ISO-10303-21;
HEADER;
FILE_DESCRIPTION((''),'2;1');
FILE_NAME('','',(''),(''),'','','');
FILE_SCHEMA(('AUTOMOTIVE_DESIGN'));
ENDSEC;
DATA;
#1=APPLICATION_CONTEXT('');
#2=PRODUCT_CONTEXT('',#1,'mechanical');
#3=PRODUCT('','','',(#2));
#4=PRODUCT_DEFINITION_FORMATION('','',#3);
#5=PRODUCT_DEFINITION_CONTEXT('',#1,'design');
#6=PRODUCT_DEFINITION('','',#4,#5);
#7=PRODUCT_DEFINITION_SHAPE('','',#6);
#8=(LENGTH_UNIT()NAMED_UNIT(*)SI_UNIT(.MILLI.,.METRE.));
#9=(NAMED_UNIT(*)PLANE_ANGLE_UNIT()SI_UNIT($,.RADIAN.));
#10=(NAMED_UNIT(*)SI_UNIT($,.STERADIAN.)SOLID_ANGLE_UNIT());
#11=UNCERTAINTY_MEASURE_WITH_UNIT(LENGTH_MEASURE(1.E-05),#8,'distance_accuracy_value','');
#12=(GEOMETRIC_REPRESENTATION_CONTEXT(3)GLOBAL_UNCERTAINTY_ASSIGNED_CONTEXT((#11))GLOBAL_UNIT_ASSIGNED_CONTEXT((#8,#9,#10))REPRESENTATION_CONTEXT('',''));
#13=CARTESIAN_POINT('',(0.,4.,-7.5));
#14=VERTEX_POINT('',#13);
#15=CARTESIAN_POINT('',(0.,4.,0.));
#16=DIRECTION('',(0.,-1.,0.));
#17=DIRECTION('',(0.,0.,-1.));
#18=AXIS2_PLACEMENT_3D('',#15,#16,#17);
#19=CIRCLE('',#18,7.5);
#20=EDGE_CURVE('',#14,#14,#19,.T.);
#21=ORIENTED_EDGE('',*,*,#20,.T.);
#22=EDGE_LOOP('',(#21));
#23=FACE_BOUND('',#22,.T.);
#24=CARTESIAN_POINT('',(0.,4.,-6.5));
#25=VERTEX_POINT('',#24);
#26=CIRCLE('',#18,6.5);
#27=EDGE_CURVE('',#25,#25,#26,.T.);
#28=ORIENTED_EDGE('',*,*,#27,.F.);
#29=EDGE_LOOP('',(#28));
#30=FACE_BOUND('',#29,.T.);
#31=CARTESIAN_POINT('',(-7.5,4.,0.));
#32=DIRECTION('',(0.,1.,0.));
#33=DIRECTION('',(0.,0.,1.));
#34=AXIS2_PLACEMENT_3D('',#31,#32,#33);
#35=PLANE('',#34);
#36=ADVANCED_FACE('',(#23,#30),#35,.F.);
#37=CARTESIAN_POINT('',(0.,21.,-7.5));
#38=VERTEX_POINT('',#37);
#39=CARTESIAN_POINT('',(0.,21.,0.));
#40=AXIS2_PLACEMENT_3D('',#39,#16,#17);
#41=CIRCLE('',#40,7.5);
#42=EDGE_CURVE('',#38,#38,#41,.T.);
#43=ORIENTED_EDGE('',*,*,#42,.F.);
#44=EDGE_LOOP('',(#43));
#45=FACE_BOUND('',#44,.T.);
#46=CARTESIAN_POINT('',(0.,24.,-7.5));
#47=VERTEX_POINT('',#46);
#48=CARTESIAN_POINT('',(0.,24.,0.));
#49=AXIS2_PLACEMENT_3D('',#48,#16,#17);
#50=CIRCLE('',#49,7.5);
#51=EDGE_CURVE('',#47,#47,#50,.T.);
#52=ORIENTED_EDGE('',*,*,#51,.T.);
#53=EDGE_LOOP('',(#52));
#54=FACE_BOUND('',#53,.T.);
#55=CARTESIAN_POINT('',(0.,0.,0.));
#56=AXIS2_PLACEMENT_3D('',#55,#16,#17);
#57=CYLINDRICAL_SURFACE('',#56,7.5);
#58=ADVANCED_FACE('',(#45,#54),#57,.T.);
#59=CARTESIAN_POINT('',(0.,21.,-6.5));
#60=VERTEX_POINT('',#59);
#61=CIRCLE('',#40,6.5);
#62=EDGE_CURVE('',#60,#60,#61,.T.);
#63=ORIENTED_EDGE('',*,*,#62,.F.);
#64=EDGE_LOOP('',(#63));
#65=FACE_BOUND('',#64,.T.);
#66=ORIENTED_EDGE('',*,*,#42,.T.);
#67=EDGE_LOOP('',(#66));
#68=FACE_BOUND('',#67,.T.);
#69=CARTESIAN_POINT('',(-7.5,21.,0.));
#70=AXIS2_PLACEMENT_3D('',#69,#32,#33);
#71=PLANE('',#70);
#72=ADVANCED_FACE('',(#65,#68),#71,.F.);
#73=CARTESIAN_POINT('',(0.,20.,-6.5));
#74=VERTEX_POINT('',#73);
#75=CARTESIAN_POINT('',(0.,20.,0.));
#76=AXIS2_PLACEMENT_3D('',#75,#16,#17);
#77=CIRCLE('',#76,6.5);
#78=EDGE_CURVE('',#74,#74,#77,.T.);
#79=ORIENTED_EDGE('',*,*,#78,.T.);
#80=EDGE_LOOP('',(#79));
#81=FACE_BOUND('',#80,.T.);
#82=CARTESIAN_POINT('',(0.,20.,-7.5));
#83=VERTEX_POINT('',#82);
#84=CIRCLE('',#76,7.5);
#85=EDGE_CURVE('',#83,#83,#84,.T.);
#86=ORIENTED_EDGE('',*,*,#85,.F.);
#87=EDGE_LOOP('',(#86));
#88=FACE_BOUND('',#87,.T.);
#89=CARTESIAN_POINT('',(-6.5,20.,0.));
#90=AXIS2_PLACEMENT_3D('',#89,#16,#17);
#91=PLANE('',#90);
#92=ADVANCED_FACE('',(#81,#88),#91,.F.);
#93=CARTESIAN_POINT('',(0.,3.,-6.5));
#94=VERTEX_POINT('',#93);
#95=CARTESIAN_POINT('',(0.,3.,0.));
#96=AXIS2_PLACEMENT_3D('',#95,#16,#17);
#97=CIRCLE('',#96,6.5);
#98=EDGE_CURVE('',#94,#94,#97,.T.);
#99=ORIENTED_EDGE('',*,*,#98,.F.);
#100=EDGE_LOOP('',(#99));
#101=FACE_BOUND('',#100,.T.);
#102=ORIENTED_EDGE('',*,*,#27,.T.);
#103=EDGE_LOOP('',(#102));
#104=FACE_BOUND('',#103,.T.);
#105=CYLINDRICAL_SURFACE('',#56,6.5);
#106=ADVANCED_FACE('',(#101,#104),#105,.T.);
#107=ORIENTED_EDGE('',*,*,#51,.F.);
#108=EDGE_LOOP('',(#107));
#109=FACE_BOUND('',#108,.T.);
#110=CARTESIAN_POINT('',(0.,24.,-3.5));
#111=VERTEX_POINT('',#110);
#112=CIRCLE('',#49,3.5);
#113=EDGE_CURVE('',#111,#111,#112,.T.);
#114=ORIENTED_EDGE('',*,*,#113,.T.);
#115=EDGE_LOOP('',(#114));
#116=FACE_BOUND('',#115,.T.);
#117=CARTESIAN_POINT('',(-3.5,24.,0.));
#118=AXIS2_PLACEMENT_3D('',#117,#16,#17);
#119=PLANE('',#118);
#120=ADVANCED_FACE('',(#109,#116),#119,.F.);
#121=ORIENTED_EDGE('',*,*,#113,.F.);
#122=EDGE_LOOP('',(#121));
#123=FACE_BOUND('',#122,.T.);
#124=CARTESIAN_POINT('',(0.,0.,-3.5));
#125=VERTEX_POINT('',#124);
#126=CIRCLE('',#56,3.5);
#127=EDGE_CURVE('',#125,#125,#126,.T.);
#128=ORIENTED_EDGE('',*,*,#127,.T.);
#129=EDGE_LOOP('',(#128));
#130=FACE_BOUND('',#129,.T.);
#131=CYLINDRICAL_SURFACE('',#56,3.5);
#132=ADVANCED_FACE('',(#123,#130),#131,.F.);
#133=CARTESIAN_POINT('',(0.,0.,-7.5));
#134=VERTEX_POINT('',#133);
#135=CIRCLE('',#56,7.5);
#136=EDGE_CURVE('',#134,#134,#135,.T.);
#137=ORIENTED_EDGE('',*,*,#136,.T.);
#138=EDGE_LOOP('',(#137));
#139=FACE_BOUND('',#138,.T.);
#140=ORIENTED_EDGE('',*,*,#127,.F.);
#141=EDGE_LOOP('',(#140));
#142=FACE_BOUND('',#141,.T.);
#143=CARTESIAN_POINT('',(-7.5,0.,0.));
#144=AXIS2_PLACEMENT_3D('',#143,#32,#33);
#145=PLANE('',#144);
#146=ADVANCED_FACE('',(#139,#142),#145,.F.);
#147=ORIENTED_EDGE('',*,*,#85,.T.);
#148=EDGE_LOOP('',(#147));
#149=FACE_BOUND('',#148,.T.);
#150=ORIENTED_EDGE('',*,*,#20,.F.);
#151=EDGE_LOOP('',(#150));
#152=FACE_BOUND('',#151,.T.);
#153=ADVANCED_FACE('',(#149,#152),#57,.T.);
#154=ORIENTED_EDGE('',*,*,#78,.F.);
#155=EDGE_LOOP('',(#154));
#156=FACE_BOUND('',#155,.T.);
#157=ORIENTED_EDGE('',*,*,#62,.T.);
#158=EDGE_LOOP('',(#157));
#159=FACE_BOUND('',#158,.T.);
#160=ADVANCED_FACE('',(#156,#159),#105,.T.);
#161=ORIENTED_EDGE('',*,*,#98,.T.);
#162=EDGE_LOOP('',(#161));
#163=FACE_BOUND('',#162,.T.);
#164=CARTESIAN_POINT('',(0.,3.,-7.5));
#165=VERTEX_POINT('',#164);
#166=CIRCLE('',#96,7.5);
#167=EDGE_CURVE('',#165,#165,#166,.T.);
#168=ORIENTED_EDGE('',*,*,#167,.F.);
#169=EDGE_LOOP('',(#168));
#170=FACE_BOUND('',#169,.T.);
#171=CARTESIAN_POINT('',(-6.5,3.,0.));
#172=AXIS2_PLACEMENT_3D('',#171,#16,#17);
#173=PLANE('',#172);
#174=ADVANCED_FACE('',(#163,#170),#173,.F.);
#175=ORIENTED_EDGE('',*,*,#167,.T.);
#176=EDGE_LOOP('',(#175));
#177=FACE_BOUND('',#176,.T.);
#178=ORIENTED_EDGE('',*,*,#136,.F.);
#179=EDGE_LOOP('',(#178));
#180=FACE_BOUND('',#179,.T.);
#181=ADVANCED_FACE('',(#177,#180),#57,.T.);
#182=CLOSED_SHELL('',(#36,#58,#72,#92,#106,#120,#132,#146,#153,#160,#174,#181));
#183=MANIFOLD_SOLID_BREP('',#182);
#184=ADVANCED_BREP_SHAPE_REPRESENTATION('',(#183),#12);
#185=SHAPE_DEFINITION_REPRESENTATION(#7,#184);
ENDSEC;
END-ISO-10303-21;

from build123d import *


with BuildPart() as part:
    # Sketch1 → Revolve1 (revolve)
    with BuildSketch(Plane.XY, mode=Mode.PRIVATE) as revolve1_sk:
        Polygon((-3.5, 24), (-3.5, 0), (-7.5, 0), (-7.5, 3), (-6.5, 3), (-6.5, 4), (-7.5, 4), (-7.5, 20), (-6.5, 20), (-6.5, 21), (-7.5, 21), (-7.5, 24), align=None)
    revolve(revolve1_sk.sketch.rotate(Axis((0, 0, 0), (0, 1, 0)), 270), axis=Axis((0, 0, 0), (0, 1, 0)))


solid = part.part
